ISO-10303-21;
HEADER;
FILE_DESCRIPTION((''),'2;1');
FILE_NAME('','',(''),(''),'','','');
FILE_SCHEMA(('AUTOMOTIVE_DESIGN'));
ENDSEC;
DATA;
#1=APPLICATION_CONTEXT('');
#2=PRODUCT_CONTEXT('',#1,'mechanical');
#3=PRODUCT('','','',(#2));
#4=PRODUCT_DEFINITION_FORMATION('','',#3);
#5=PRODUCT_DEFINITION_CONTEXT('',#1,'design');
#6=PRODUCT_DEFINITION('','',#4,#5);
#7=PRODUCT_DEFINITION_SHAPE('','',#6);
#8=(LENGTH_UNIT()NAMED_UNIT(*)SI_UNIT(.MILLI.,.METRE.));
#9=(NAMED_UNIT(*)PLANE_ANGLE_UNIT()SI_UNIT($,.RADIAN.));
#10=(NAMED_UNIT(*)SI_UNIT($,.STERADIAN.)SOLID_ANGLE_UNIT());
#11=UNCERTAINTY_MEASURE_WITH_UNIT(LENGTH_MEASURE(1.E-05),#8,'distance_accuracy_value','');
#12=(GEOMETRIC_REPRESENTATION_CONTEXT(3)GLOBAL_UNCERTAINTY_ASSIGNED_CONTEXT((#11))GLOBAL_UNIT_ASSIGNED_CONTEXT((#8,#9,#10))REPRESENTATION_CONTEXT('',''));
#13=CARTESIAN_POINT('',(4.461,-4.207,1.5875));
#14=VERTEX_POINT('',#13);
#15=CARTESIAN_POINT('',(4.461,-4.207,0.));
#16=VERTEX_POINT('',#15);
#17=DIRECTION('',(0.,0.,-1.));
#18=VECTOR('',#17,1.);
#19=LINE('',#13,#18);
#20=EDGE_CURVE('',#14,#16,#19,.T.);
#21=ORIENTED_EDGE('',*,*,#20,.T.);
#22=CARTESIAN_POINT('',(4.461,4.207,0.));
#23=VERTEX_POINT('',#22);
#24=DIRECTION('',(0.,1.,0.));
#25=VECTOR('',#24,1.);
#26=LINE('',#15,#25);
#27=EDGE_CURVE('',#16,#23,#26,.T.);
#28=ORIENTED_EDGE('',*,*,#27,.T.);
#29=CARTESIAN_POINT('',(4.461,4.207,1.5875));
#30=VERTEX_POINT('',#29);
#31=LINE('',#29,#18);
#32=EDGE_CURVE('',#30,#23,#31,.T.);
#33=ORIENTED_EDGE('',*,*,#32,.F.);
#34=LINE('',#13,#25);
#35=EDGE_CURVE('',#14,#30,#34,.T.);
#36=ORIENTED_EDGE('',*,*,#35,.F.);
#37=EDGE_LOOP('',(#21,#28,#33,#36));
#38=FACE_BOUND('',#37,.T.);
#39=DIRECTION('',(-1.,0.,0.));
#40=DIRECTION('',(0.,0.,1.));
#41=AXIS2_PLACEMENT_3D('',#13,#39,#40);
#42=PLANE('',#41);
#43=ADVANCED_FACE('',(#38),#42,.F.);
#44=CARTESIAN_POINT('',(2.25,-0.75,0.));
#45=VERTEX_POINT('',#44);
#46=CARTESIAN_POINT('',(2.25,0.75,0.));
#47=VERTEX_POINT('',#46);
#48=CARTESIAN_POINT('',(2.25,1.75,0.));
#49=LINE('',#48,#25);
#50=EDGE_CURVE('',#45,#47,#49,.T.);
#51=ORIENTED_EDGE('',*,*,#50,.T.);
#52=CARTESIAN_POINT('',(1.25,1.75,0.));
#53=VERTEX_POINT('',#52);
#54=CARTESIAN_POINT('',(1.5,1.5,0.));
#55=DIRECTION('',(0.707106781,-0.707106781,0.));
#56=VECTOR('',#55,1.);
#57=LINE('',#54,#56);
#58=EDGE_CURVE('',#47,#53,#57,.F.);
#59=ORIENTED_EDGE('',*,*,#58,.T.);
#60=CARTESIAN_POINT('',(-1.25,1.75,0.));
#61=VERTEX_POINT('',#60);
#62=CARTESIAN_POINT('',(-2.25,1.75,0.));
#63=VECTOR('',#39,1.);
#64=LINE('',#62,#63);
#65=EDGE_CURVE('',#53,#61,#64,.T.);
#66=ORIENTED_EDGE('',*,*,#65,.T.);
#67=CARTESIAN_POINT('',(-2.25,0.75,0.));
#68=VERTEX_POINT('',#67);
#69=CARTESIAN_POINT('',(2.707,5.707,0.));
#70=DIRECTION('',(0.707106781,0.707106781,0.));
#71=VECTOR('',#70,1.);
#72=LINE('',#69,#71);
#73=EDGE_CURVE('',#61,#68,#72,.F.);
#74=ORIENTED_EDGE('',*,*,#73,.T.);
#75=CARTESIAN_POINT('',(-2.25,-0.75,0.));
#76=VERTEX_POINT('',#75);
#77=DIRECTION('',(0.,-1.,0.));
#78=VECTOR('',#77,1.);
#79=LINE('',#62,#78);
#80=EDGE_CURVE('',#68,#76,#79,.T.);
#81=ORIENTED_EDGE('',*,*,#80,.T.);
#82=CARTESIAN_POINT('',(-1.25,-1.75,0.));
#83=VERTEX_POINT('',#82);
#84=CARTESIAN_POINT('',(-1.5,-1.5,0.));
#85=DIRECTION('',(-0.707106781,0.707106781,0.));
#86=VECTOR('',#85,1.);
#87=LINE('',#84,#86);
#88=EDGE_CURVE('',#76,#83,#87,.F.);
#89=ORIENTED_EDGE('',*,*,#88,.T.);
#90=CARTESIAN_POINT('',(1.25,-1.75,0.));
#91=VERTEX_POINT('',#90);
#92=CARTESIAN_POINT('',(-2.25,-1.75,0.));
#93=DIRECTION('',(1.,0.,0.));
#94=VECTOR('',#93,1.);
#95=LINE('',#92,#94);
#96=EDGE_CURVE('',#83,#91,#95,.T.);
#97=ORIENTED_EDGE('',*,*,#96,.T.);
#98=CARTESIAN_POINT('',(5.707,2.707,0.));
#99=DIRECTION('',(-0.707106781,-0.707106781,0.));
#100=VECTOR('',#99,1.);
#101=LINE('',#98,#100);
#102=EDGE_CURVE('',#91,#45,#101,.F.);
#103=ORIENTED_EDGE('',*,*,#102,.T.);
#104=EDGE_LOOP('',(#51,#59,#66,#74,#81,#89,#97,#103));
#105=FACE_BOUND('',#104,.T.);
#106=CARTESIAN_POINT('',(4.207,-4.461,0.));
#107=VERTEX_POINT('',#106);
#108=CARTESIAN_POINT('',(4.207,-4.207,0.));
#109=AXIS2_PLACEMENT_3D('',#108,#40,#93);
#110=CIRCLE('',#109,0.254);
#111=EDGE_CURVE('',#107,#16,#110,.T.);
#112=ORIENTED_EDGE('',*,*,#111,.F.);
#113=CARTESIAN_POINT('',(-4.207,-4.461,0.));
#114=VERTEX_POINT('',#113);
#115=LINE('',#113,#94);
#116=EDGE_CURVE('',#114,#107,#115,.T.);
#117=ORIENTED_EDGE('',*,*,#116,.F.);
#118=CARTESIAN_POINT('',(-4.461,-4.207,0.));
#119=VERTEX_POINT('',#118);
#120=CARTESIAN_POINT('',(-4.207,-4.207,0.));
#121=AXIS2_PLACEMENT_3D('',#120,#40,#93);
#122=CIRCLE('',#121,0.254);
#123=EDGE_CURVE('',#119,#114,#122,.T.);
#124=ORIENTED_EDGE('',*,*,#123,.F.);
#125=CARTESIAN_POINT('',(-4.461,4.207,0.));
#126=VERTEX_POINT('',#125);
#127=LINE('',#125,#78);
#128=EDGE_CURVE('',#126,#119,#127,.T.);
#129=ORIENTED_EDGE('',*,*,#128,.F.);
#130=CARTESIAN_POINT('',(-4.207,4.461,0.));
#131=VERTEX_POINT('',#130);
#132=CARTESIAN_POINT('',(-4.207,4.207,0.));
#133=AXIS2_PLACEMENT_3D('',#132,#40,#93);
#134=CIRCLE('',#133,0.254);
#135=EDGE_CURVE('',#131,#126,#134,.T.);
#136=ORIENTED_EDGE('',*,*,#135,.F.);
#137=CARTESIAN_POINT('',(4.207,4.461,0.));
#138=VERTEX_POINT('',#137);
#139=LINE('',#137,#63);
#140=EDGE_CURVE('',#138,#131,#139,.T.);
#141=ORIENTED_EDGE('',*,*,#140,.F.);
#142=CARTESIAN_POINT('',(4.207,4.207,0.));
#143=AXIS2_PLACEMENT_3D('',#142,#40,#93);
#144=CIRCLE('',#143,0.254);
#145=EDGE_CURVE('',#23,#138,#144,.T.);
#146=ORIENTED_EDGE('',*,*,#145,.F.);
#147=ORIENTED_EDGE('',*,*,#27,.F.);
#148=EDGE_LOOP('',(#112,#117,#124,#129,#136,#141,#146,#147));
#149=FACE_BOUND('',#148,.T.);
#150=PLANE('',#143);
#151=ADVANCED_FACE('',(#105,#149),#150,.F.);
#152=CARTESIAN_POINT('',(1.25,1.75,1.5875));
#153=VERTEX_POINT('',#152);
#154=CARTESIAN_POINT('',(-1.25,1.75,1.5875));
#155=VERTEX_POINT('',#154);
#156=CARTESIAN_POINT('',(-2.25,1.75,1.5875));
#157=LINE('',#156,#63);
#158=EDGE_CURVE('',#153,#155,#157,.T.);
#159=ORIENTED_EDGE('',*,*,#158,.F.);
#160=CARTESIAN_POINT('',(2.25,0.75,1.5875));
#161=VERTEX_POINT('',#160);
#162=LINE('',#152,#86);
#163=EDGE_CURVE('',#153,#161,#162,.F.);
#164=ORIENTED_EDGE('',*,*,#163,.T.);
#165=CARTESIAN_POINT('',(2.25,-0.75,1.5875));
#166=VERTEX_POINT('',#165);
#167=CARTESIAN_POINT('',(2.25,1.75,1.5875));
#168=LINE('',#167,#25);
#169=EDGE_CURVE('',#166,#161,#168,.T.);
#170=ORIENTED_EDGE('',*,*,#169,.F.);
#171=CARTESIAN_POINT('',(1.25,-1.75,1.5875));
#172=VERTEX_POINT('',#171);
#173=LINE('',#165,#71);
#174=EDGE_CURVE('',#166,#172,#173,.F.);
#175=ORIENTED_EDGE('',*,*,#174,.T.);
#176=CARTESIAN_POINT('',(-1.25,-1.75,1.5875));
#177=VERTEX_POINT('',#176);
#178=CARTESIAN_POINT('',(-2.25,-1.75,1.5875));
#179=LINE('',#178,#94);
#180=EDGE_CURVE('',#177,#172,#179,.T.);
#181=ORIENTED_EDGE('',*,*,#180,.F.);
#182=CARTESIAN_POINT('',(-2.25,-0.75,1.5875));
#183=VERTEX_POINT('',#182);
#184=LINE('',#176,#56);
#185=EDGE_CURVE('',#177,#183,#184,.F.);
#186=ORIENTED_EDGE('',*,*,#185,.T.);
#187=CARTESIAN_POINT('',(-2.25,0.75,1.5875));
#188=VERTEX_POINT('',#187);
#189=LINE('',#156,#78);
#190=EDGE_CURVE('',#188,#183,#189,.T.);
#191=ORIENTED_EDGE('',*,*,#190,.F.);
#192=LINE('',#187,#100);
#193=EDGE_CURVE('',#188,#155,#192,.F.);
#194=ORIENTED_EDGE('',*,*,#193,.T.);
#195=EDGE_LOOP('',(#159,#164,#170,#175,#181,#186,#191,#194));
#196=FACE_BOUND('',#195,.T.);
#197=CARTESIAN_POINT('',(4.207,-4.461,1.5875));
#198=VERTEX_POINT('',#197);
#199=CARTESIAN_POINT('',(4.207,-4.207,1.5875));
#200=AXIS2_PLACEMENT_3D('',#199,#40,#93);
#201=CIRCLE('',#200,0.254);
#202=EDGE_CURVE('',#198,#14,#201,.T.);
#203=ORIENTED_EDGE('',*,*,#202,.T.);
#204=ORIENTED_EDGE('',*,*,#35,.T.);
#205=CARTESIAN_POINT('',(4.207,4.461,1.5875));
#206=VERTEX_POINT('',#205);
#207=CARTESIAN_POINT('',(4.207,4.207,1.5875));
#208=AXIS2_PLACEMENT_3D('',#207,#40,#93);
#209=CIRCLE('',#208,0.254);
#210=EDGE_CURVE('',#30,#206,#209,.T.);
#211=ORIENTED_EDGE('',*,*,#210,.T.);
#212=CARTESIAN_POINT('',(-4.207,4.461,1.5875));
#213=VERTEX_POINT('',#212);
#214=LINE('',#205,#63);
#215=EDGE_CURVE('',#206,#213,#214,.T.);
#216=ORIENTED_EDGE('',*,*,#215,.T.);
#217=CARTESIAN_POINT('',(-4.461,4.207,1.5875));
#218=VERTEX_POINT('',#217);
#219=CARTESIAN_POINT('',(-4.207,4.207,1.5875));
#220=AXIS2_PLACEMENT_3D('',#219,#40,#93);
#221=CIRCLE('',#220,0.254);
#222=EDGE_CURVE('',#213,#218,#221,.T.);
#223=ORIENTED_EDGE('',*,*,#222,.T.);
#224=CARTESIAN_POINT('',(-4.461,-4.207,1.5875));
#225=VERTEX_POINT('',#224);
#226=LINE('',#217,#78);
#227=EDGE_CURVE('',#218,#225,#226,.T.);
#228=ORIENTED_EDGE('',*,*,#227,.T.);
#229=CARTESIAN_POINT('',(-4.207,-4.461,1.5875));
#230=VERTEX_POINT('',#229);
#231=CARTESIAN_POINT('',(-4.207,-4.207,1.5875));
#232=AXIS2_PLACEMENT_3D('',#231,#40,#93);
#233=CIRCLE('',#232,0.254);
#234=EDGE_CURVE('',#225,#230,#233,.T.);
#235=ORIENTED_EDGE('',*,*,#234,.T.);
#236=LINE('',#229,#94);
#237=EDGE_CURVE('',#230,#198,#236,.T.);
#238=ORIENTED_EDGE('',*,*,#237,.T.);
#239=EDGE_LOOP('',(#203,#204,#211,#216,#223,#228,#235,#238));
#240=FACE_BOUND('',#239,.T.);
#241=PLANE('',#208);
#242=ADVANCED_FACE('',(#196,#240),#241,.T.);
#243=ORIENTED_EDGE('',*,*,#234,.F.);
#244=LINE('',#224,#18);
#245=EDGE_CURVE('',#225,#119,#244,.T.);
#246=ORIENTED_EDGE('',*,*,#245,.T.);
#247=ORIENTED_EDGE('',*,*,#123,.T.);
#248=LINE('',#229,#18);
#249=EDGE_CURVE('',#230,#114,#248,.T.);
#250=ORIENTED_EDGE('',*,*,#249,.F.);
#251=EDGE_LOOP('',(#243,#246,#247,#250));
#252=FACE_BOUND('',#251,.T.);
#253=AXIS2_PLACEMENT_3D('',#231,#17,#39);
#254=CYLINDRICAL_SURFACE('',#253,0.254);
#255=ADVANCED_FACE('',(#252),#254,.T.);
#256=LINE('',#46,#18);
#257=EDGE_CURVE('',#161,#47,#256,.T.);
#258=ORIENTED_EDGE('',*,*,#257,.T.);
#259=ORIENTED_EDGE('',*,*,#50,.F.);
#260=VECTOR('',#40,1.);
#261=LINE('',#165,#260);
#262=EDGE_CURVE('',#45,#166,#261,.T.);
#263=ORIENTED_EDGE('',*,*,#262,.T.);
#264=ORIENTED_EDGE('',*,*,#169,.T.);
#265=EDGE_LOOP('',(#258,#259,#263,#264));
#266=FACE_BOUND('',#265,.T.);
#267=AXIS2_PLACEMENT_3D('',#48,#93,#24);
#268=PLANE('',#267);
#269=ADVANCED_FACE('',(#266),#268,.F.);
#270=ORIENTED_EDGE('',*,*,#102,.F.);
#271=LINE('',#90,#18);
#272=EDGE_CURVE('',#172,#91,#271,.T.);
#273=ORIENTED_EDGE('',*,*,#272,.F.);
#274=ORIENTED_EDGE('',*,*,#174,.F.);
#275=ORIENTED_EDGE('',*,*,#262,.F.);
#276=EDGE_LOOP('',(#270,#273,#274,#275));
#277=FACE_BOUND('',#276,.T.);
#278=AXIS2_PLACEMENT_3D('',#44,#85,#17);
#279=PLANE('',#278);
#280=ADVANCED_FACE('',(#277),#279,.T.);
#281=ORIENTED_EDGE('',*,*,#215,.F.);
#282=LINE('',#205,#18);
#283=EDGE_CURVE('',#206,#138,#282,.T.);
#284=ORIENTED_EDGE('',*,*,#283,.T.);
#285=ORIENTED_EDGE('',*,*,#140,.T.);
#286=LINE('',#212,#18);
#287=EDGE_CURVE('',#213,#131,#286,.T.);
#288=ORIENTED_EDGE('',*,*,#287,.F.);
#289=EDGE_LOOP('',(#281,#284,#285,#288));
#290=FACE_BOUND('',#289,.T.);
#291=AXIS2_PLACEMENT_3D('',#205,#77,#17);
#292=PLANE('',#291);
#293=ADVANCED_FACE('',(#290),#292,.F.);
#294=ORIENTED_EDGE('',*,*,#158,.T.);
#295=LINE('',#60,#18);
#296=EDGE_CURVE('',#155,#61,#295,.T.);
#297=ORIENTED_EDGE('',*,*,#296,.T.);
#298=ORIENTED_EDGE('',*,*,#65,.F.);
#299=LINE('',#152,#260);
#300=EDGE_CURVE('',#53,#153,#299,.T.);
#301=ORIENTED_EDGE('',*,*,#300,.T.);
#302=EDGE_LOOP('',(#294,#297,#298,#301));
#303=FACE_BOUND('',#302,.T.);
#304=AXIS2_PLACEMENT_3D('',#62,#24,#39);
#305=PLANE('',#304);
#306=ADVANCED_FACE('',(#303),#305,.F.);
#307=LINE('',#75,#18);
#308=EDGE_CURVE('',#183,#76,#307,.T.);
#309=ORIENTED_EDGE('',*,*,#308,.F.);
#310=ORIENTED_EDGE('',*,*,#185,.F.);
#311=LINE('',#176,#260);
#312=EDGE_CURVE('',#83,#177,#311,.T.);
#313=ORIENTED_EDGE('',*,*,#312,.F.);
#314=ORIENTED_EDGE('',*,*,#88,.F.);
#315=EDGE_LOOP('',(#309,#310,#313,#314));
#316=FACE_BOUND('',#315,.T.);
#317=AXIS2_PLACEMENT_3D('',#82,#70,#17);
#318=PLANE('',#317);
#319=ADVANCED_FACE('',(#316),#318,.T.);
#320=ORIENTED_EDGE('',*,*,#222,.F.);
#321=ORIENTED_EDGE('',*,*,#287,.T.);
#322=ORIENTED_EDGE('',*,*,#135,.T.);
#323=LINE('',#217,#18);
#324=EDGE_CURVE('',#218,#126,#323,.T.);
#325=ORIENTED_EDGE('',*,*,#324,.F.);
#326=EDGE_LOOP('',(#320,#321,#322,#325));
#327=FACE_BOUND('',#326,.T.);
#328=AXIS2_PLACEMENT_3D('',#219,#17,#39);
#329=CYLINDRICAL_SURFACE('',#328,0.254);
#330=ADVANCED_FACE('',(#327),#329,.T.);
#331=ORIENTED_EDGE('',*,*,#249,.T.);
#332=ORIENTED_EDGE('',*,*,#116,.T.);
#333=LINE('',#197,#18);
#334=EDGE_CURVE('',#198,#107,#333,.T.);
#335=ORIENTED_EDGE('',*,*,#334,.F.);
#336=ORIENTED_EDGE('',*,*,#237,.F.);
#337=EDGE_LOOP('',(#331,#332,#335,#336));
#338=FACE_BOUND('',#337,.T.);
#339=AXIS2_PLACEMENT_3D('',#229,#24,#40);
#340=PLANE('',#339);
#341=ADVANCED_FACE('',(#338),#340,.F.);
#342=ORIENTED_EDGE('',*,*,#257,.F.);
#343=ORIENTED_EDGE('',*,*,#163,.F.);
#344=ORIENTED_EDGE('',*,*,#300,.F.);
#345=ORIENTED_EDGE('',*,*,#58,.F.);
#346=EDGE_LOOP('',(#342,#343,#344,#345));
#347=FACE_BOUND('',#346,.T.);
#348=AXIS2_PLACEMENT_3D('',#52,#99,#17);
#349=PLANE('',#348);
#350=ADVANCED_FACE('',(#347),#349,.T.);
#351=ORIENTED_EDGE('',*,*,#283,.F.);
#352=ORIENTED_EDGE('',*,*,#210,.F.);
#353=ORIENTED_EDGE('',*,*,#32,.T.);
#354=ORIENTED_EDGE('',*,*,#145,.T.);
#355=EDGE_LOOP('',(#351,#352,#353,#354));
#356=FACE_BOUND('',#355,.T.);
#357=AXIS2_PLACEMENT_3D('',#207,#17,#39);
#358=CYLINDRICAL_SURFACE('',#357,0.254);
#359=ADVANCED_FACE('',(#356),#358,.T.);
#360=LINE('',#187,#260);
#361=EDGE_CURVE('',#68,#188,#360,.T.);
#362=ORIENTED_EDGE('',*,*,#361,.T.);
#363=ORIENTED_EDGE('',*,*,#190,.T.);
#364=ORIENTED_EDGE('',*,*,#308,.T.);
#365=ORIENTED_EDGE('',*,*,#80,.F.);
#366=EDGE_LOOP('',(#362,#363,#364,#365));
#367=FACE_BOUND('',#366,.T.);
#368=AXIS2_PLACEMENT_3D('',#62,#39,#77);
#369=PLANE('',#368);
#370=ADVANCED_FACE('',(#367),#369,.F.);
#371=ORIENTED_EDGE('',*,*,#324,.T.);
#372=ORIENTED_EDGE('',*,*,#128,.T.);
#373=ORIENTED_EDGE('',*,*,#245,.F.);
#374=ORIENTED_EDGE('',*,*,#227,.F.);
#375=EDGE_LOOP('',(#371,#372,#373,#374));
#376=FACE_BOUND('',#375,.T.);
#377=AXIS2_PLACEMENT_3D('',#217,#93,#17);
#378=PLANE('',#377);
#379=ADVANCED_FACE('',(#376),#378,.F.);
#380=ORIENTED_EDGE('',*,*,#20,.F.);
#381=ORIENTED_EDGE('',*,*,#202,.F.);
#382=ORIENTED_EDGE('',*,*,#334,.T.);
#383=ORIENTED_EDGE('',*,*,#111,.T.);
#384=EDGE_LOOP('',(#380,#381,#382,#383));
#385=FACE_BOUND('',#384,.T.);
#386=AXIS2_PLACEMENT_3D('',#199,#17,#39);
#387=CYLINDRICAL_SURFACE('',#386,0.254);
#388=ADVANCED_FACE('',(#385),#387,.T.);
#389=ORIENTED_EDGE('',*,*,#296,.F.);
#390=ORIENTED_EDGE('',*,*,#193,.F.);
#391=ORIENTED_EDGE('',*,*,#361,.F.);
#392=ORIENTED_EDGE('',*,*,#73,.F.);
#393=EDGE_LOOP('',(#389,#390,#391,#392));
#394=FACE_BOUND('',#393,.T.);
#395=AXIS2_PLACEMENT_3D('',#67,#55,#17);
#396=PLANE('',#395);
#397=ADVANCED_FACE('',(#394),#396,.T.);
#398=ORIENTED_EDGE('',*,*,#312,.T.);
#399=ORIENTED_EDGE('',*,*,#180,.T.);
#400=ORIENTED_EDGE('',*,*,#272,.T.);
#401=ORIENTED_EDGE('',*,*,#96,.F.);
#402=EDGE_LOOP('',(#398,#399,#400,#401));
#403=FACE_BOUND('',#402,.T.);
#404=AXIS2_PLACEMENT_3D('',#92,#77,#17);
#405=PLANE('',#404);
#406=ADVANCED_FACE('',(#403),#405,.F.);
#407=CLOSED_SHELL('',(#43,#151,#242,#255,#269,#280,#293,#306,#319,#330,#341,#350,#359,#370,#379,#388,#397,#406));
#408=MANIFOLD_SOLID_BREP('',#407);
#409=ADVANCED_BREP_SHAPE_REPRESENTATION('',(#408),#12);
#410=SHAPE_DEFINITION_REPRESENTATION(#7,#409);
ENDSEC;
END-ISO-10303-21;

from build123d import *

# Parameters (mm, degrees)
BOSS_EXTRUDE1_DEPTH = 1.5875
SKETCH2_W           = 4.5
SKETCH2_H           = 3.5
CUT_EXTRUDE1_DEPTH  = 2.5875
CHAMFER1_SIZE       = 1


with BuildPart() as part:
    # Sketch1 → Boss-Extrude1 (new body)
    with BuildSketch(Plane.XY):
        with BuildLine():
            Line((4.207, 4.461), (-4.207, 4.461))
            ThreePointArc((-4.207, 4.461), (-4.386605122, 4.386605122), (-4.461, 4.207))
            Line((-4.461, 4.207), (-4.461, -4.207))
            ThreePointArc((-4.461, -4.207), (-4.386605122, -4.386605122), (-4.207, -4.461))
            Line((-4.207, -4.461), (4.207, -4.461))
            ThreePointArc((4.207, -4.461), (4.386605122, -4.386605122), (4.461, -4.207))
            Line((4.461, -4.207), (4.461, 4.207))
            ThreePointArc((4.461, 4.207), (4.386605122, 4.386605122), (4.207, 4.461))
        make_face()
    extrude(amount=BOSS_EXTRUDE1_DEPTH)

    # Sketch2 → Cut-Extrude1 (cut, through all)
    with BuildSketch(Plane.XY.offset(1.5875)):
        Rectangle(SKETCH2_W, SKETCH2_H)
    extrude(amount=-CUT_EXTRUDE1_DEPTH, mode=Mode.SUBTRACT)

    # Chamfer1
    chamfer1_edges = [part.edges().sort_by_distance(p)[0] for p in [
        (2.25, 1.75, 0.79375),
        (2.25, -1.75, 0.79375),
        (-2.25, -1.75, 0.79375),
        (-2.25, 1.75, 0.79375),
    ]]
    chamfer(chamfer1_edges, length=CHAMFER1_SIZE)


solid = part.part
